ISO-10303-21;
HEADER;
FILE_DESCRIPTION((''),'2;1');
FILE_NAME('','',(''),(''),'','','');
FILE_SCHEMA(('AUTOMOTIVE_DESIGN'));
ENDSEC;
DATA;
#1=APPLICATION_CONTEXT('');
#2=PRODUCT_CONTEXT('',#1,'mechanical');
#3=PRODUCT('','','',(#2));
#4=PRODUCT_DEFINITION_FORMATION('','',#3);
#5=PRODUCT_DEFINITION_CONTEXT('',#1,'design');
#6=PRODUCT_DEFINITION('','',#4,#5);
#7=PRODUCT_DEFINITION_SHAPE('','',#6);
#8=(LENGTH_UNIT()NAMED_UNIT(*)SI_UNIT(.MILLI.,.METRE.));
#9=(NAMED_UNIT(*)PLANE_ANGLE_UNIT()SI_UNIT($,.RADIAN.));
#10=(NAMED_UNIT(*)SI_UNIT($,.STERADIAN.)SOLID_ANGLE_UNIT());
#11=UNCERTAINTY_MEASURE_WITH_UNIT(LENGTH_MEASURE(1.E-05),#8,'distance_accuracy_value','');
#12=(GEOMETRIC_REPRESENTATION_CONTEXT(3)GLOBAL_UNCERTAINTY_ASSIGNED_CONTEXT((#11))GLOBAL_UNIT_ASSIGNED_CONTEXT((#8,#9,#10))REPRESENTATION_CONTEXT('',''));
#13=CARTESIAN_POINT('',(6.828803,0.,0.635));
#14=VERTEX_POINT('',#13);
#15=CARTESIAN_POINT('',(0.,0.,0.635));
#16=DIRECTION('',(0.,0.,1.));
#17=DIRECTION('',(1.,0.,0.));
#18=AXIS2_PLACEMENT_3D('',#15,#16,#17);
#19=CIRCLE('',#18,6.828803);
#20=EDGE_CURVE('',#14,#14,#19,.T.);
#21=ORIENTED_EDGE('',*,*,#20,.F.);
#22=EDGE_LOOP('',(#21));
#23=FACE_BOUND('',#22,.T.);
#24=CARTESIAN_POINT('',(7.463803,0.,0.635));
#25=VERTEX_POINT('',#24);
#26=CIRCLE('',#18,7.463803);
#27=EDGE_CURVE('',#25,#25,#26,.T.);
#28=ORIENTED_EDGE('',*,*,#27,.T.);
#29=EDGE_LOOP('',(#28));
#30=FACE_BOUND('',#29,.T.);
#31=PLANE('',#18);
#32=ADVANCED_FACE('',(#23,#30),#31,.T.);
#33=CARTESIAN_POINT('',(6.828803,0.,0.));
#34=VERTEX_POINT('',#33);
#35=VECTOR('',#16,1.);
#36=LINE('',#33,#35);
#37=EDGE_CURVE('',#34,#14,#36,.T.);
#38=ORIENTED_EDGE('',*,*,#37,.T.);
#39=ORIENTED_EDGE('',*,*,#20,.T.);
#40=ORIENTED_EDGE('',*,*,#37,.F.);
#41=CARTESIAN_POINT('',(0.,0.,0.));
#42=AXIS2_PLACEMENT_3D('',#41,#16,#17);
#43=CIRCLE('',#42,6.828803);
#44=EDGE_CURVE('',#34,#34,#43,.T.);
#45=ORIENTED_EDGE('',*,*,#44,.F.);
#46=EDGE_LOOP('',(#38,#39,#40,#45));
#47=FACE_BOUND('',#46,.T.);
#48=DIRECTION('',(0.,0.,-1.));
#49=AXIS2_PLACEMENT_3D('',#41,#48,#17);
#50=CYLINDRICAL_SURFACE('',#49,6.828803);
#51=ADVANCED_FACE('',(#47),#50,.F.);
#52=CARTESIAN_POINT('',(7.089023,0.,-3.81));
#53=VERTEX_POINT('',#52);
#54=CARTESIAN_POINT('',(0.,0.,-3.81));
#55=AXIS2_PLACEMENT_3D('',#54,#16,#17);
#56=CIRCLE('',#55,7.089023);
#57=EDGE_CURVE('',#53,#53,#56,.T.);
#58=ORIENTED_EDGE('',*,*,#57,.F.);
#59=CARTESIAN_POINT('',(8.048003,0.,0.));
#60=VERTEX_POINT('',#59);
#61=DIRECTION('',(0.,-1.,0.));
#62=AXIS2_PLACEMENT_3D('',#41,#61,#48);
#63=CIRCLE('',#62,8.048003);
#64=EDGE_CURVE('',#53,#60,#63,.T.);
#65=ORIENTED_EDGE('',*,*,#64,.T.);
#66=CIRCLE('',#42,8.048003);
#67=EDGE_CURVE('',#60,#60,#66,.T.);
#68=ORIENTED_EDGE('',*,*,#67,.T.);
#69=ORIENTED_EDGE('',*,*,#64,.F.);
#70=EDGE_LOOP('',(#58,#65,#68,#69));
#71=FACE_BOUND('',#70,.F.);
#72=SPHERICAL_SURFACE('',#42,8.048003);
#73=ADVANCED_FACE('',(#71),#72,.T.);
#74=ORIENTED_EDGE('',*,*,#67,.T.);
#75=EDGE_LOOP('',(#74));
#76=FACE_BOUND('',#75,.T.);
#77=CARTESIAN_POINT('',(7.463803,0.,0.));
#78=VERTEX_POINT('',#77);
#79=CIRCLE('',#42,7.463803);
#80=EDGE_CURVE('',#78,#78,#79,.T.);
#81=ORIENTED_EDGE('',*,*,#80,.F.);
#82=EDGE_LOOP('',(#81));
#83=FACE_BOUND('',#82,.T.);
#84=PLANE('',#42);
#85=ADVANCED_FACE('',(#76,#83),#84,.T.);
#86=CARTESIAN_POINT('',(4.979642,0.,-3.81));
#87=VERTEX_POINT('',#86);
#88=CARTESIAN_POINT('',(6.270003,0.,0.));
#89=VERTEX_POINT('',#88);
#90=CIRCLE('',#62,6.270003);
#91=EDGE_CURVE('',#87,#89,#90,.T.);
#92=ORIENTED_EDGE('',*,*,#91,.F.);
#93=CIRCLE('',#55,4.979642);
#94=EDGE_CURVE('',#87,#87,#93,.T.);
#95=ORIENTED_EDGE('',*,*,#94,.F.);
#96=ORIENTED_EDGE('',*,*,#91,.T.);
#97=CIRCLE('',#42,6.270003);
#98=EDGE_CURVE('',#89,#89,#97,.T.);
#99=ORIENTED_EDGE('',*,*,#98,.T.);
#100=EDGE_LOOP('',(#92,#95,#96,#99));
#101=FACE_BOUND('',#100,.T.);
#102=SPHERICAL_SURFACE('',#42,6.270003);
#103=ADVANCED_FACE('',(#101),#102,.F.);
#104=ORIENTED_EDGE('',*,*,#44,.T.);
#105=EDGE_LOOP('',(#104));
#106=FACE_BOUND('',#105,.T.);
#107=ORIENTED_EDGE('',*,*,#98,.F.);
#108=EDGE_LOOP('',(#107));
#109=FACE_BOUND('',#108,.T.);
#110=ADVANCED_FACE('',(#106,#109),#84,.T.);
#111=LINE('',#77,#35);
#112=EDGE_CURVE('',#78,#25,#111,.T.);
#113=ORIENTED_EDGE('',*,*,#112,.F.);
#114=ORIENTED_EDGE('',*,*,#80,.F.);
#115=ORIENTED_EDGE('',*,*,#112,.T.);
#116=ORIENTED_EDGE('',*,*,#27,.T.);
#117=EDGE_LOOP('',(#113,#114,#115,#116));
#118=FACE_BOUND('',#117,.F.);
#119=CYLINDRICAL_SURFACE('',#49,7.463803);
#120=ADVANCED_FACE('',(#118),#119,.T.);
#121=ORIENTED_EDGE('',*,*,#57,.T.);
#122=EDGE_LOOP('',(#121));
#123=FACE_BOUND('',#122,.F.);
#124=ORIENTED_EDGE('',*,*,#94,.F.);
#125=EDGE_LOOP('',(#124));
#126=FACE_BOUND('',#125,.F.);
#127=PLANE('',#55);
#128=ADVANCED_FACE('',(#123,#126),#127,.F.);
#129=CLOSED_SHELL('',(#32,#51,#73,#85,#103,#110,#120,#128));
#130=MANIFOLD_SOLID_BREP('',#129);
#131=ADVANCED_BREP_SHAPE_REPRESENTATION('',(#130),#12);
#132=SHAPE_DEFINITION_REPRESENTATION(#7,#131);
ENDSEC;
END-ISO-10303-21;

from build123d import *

# Parameters (mm, degrees)
F4_R      = 12.7
F5_DEPTH  = 25.4
F7_R      = 12.7
F8_DEPTH  = 25.4
F9_R      = 7.463803
F9_R_2    = 6.828803
F10_DEPTH = 0.635


with BuildPart() as f1:
    # F0 (on Front) → F1 (revolve)
    with BuildSketch(Plane.XZ):
        with BuildLine():
            ThreePointArc((0, -8.048003), (8.048003, 0), (0, 8.048003))
            Line((0, 8.048003), (0, -8.048003))
        make_face()
    revolve(axis=Axis((0, 0, 0), (0, 0, -1)))

    # F2 (on Front) → F3 (revolve, cut)
    with BuildSketch(Plane.XZ):
        with BuildLine():
            ThreePointArc((0, -6.270003), (6.270003, 0), (0, 6.270003))
            Line((0, 6.270003), (0, -6.270003))
        make_face()
    revolve(axis=Axis((0, 0, 0), (0, 0, -1)), mode=Mode.SUBTRACT)

    # F4 (on Top) → F5 (cut)
    with BuildSketch(Plane.XY):
        Circle(F4_R)
    extrude(amount=F5_DEPTH, mode=Mode.SUBTRACT)

    # F7 (on offset) → F8 (cut)
    with BuildSketch(Plane.XY.offset(-3.81)):
        Circle(F7_R)
    extrude(amount=-F8_DEPTH, mode=Mode.SUBTRACT)

    # F9 (on face) → F10 (join)
    with BuildSketch(Plane.XY):
        Circle(F9_R)
        Circle(F9_R_2, mode=Mode.SUBTRACT)
    extrude(amount=F10_DEPTH)


solid = f1.part
